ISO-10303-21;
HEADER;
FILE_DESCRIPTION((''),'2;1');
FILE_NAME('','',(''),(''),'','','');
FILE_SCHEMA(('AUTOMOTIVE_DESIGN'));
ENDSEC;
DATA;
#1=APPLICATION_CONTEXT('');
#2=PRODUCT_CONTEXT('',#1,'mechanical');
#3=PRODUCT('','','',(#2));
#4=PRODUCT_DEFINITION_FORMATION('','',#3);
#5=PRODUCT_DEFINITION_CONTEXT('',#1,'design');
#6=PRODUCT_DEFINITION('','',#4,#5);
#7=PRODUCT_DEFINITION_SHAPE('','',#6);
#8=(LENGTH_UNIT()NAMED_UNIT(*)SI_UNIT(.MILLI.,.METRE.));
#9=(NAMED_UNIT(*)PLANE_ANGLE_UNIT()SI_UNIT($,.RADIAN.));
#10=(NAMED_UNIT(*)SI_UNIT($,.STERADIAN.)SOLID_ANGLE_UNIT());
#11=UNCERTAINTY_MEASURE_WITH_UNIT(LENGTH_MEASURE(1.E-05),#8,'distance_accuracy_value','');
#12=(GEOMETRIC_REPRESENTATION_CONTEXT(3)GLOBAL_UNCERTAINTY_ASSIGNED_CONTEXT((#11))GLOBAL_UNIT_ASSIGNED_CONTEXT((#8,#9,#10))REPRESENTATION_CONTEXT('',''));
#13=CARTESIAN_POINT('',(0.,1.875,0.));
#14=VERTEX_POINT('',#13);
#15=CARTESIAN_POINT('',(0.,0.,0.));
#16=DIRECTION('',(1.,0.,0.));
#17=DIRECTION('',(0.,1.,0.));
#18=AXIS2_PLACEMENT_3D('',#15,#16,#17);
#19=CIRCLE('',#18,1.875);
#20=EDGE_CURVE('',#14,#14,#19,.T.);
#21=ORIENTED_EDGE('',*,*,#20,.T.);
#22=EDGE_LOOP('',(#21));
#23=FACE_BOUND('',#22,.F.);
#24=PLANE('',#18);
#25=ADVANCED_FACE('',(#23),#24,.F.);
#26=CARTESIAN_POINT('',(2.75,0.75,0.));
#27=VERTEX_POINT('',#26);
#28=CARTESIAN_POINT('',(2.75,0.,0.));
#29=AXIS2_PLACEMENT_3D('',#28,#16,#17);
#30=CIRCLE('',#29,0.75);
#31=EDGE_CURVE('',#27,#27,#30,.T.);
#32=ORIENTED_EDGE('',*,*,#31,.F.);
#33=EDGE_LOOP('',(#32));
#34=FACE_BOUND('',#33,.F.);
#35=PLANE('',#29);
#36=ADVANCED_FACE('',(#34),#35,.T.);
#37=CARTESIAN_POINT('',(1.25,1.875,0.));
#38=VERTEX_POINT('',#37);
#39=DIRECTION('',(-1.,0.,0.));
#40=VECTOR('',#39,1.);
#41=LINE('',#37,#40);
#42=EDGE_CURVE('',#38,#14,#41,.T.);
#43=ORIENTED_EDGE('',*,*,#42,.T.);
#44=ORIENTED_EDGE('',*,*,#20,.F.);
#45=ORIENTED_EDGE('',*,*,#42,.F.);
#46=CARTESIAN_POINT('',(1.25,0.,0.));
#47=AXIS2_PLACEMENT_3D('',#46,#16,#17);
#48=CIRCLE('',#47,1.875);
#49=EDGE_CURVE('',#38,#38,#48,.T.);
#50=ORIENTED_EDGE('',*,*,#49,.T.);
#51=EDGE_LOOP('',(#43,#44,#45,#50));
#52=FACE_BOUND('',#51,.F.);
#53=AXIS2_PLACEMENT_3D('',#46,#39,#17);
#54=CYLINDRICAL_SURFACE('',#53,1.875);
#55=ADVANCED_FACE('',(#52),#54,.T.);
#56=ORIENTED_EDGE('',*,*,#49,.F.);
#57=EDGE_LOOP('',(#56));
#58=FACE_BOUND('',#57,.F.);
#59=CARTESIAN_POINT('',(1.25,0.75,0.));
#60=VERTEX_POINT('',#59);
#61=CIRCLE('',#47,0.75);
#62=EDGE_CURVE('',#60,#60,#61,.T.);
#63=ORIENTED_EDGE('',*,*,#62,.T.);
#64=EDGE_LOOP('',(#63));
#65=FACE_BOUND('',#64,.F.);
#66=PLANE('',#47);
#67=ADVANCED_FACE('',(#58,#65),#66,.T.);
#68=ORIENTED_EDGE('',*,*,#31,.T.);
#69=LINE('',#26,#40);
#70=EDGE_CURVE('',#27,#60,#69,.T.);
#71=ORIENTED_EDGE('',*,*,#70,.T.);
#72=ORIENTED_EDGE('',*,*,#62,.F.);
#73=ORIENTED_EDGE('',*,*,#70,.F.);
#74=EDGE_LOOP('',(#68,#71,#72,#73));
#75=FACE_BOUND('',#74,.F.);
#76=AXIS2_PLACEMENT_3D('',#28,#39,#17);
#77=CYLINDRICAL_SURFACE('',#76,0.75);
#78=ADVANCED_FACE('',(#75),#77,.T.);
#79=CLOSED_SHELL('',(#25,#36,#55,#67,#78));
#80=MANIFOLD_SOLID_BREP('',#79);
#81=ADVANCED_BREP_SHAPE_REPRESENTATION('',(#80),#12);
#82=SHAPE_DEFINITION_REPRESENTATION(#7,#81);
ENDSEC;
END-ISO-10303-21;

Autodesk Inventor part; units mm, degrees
ref_plane "YZ Plane" through (0, 0, 0) normal (1, 0, 0) x (0, 1, 0)
ref_plane "XZ Plane" through (0, 0, 0) normal (0, 1, 0) x (-1, 0, 0)
ref_plane "XY Plane" through (0, 0, 0) normal (0, 0, 1) x (1, 0, 0)
sketch "Sketch1" plane through (0, 0, 0) normal (0, 0, 1) x (1, 0, 0)
  line L0 (0, 0) -> (1.25, 0)
  line L1 (1.25, 0) -> (1.25, 1.875)
  line L2 (1.25, 1.875) -> (0, 1.875)
  line L3 (0, 1.875) -> (0, 0)
  line L4 (1.25, 0) -> (2.75, 0)
  line L5 (2.75, 0) -> (2.75, 0.75)
  line L6 (2.75, 0.75) -> (1.25, 0.75)
  line L7 (1.25, 0.75) -> (1.25, 0)
  dimension "d0" = 1.25
  dimension "d1" = 2.75
  dimension "d2" = 1.5
  dimension "d3" = 3.75
revolve "Revolution1" add sketch "Sketch1" angle 360 about axis through (0, 0, 0) along (1, 0, 0)
properties part number "404-02" material "Steel, Mild"
